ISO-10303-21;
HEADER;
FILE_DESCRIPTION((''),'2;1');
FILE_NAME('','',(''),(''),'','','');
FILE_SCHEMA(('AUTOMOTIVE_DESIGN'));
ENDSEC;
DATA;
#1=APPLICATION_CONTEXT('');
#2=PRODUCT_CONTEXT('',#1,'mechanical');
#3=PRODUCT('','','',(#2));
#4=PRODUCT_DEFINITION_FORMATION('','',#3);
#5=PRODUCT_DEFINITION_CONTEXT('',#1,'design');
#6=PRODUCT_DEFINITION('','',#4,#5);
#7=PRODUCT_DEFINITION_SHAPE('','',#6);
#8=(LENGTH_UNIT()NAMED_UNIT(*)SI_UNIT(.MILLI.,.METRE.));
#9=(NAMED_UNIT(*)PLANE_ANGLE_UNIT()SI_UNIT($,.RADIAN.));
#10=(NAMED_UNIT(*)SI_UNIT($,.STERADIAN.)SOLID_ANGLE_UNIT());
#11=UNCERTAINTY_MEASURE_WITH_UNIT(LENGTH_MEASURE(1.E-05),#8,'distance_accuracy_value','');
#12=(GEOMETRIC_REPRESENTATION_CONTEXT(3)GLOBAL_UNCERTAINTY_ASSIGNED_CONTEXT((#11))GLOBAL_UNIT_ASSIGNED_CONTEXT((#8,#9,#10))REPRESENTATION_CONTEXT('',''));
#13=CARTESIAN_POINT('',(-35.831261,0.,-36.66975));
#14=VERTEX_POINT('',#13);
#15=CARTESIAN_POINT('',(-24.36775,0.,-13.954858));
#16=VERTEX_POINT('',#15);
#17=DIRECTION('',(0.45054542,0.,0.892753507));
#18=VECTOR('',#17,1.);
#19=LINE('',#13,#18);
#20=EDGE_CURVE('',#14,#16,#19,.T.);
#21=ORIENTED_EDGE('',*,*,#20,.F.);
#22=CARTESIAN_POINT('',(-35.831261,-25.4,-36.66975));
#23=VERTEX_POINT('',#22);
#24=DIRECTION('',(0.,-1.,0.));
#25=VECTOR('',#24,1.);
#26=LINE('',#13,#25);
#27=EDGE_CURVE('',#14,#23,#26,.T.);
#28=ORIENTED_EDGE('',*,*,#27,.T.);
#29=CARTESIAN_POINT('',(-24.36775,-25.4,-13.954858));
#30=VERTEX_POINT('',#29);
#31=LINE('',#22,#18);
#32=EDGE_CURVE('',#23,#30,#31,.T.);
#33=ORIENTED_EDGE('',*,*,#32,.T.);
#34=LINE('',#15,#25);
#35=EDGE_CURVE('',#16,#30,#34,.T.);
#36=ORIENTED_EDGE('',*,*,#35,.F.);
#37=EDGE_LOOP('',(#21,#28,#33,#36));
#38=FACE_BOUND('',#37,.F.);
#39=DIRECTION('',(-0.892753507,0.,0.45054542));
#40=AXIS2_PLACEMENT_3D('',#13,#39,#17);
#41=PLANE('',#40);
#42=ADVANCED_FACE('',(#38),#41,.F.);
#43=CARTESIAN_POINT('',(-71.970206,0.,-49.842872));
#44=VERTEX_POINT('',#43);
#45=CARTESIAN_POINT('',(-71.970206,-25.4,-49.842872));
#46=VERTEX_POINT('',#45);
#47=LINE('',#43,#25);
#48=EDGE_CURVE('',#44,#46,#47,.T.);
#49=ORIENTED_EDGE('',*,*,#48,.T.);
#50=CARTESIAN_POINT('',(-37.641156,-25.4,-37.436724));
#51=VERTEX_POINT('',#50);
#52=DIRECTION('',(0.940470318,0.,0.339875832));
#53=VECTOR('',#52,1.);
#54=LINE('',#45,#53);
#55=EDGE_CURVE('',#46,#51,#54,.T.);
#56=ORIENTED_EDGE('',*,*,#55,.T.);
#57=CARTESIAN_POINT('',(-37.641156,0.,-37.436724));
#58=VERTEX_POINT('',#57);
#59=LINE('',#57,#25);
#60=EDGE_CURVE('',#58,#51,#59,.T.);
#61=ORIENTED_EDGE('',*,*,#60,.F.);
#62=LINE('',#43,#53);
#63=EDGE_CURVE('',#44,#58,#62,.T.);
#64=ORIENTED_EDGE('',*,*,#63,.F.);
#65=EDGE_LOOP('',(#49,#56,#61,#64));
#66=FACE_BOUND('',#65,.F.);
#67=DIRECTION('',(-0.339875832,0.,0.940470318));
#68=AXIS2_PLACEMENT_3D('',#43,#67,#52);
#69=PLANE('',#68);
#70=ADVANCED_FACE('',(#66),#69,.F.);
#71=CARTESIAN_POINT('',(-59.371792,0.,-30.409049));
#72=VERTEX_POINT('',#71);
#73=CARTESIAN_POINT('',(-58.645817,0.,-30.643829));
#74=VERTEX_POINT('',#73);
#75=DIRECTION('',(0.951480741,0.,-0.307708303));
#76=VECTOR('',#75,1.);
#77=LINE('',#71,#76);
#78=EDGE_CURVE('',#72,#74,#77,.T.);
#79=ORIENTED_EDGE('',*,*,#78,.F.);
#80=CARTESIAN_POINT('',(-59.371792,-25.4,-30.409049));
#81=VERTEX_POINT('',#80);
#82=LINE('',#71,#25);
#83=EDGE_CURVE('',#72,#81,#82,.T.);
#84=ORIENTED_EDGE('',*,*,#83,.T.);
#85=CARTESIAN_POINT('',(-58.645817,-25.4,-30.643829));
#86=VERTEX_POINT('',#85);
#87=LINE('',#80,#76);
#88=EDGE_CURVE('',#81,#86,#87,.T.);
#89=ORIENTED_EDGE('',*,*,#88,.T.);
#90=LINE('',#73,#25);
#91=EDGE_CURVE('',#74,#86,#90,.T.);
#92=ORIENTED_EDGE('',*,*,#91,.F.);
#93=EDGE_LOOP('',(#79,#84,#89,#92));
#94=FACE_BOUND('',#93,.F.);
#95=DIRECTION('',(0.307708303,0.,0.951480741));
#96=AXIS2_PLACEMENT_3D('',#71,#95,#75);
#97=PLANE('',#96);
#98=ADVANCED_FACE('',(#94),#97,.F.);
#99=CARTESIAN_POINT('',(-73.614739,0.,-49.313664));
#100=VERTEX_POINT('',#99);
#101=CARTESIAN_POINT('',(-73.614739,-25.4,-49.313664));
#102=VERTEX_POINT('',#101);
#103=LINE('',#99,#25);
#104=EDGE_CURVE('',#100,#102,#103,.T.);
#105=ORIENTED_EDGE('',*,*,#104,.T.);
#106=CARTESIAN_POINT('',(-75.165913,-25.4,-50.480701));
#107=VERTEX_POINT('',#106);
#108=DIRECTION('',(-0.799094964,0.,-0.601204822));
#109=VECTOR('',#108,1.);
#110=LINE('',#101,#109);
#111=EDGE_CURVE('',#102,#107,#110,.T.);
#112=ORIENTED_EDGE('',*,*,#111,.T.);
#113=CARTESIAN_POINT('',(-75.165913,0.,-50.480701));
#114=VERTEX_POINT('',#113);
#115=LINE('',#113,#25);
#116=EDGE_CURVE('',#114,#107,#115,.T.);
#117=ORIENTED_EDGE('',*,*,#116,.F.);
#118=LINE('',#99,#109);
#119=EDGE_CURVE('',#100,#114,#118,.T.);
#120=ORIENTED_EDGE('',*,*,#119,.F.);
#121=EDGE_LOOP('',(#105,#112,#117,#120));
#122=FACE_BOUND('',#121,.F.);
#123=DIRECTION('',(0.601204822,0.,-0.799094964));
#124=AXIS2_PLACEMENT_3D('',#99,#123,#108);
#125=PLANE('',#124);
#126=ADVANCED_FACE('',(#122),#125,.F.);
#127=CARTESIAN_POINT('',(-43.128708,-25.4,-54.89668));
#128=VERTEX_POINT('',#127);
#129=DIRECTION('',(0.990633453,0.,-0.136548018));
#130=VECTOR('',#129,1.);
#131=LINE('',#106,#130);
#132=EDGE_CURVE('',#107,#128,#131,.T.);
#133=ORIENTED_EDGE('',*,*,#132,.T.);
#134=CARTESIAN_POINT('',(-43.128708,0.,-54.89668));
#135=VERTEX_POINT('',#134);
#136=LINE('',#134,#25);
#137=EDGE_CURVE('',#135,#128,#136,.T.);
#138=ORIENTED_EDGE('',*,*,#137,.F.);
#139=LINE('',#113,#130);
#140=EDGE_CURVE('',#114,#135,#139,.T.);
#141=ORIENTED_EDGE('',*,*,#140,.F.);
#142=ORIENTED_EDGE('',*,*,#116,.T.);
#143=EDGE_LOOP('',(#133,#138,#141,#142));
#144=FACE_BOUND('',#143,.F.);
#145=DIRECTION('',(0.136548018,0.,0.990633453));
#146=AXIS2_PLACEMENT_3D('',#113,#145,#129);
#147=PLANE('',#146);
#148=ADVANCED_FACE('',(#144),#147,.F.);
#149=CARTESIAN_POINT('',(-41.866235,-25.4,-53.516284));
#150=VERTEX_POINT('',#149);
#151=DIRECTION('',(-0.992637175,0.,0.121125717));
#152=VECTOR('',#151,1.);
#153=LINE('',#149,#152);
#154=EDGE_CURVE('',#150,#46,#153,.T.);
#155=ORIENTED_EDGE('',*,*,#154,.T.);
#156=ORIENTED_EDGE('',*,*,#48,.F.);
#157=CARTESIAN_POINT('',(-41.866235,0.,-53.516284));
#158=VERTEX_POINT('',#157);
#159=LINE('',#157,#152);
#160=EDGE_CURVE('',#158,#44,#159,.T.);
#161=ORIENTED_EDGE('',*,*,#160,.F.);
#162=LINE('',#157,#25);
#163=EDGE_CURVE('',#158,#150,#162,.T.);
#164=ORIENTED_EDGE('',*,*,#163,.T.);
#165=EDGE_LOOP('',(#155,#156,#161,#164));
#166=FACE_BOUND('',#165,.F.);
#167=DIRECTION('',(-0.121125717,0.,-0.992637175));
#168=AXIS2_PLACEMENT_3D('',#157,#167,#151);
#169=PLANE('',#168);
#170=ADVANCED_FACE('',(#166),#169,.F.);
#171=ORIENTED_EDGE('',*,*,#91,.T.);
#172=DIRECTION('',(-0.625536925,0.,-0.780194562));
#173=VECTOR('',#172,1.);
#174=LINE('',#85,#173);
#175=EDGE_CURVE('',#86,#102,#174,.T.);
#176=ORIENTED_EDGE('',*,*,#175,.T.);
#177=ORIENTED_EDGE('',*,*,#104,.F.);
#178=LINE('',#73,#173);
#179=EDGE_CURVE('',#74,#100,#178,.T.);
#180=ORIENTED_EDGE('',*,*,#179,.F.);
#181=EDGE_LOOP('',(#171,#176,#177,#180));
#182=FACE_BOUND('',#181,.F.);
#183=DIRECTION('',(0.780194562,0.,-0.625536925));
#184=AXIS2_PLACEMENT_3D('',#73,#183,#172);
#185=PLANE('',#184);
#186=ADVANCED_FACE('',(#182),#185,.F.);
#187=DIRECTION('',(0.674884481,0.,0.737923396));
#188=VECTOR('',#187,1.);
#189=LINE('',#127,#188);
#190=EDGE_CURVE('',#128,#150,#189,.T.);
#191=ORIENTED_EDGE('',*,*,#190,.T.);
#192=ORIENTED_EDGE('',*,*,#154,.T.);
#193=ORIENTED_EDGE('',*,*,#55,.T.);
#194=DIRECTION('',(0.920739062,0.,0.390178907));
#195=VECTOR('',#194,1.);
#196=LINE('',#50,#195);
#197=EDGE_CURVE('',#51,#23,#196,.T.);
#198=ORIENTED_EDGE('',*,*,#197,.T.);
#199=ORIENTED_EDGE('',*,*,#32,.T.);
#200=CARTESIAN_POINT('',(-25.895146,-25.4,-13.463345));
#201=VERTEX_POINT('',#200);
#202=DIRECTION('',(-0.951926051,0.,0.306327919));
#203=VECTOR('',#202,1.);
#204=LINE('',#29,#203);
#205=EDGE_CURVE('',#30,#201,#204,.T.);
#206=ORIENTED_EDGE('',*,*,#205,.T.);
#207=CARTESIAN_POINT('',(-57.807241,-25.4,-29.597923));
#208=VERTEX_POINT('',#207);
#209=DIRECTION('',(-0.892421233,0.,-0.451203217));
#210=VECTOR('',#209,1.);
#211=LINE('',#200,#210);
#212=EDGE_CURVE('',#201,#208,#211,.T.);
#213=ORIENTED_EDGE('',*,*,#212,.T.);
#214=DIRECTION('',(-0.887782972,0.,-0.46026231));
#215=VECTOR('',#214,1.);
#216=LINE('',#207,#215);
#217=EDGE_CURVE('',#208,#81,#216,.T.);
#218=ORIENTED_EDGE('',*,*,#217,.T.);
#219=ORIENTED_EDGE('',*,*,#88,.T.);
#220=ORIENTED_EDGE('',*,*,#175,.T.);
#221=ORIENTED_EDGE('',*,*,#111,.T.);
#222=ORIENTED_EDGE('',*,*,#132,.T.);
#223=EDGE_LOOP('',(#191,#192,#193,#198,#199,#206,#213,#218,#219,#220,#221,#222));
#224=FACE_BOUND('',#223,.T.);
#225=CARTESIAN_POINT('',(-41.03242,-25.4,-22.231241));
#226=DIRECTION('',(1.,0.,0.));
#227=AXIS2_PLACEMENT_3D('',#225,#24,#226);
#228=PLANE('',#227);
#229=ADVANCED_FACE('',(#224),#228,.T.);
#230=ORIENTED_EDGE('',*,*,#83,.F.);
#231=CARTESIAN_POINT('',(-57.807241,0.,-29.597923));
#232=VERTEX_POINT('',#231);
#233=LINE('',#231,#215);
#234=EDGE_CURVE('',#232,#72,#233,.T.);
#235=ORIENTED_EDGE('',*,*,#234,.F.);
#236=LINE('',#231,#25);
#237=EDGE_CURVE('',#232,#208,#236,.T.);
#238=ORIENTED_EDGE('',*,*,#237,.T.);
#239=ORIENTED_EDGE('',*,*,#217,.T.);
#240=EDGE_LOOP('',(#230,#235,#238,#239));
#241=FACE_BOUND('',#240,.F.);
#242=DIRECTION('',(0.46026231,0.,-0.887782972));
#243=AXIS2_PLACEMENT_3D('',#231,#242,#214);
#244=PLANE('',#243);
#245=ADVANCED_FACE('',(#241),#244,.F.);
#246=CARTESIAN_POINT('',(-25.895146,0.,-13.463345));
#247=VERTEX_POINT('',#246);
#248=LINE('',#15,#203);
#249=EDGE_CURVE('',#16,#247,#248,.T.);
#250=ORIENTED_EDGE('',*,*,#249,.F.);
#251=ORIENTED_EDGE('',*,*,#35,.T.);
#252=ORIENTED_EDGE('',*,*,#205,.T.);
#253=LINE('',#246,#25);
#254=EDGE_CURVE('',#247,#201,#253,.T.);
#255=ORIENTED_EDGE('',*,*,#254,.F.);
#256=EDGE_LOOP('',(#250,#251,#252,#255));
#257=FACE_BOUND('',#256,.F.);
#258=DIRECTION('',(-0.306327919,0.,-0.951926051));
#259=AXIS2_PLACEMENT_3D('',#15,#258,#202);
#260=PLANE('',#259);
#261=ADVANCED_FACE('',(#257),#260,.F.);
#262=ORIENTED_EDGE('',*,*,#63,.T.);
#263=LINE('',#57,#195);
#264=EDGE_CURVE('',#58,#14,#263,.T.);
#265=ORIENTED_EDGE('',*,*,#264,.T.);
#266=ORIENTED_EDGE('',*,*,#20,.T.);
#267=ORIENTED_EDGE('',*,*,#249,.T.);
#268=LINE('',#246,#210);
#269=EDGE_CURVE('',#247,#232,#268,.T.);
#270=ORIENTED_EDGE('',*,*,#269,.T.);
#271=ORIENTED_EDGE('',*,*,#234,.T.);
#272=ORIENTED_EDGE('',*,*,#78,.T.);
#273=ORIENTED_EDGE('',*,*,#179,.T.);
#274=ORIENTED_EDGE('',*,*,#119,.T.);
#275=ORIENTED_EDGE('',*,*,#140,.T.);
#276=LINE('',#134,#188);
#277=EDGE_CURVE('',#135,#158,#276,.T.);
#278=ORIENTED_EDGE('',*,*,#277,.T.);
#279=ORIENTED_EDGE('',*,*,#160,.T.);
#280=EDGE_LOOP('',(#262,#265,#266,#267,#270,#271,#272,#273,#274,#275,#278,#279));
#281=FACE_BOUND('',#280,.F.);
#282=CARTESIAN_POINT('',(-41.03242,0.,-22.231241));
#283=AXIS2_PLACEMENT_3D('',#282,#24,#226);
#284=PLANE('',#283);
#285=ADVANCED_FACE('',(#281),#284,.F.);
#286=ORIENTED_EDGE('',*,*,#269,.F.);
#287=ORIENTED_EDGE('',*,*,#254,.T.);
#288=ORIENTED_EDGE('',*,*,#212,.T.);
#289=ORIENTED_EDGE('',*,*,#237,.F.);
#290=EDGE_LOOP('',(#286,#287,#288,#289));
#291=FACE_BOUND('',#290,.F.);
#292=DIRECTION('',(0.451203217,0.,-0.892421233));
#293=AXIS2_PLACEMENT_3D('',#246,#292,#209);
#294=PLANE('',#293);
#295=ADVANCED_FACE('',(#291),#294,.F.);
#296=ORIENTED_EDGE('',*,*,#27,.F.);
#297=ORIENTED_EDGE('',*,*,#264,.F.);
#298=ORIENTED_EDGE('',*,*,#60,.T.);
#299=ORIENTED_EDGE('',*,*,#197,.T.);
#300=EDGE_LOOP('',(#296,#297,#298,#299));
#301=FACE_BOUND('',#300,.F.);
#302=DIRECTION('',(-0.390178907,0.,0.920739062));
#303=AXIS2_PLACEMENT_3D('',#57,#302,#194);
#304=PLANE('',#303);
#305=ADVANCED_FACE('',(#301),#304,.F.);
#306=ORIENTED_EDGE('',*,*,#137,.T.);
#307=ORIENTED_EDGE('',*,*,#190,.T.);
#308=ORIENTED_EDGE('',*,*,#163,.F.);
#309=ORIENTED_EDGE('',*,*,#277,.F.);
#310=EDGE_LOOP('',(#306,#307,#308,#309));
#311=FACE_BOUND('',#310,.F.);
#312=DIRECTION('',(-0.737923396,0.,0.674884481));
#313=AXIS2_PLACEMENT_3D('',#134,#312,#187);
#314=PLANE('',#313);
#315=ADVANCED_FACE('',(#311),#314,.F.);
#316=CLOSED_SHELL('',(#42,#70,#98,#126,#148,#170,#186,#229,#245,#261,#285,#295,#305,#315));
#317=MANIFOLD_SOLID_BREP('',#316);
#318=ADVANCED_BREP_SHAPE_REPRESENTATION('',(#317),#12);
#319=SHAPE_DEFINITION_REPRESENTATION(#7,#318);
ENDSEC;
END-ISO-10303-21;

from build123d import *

# Parameters (mm, degrees)
F1_DEPTH = 25.4


with BuildPart() as f1:
    # F0 (on Front) → F1 (new body)
    with BuildSketch(Plane.XZ):
        Polygon((-25.8951456973, -13.4633452844), (-57.8072406352, -29.5979231596), (-53.9003351302, -30.8551576172), (-24.367749691, -13.9548582956), align=None)
        Polygon((-58.6458170369, -30.6438290405), (-57.8072406352, -29.5979231596), (-59.37179178, -30.4090492427), align=None)
        Polygon((-53.9003351302, -30.8551576172), (-57.8072406352, -29.5979231596), (-58.6458170369, -30.6438290405), (-55.3778592124, -31.7006846468), align=None)
        Polygon((-24.367749691, -13.9548582956), (-53.9003351302, -30.8551576172), (-35.8312614262, -36.6697497666), align=None)
        Polygon((-35.8312614262, -36.6697497666), (-53.9003351302, -30.8551576172), (-55.3778592124, -31.7006846468), (-37.6411564648, -37.4367237091), align=None)
        Polygon((-55.3778592124, -31.7006846468), (-58.6458170369, -30.6438290405), (-73.6147388816, -49.3136644363), (-71.9702057047, -49.8428719572), align=None)
        Polygon((-37.6411564648, -37.4367237091), (-55.3778592124, -31.7006846468), (-71.9702057047, -49.8428719572), align=None)
        Polygon((-71.9702057047, -49.8428719572), (-73.6147388816, -49.3136644363), (-75.165912509, -50.4807010293), (-43.1287082946, -54.896680256), (-41.866235435, -53.5162836313), align=None)
    extrude(amount=F1_DEPTH)


solid = f1.part
